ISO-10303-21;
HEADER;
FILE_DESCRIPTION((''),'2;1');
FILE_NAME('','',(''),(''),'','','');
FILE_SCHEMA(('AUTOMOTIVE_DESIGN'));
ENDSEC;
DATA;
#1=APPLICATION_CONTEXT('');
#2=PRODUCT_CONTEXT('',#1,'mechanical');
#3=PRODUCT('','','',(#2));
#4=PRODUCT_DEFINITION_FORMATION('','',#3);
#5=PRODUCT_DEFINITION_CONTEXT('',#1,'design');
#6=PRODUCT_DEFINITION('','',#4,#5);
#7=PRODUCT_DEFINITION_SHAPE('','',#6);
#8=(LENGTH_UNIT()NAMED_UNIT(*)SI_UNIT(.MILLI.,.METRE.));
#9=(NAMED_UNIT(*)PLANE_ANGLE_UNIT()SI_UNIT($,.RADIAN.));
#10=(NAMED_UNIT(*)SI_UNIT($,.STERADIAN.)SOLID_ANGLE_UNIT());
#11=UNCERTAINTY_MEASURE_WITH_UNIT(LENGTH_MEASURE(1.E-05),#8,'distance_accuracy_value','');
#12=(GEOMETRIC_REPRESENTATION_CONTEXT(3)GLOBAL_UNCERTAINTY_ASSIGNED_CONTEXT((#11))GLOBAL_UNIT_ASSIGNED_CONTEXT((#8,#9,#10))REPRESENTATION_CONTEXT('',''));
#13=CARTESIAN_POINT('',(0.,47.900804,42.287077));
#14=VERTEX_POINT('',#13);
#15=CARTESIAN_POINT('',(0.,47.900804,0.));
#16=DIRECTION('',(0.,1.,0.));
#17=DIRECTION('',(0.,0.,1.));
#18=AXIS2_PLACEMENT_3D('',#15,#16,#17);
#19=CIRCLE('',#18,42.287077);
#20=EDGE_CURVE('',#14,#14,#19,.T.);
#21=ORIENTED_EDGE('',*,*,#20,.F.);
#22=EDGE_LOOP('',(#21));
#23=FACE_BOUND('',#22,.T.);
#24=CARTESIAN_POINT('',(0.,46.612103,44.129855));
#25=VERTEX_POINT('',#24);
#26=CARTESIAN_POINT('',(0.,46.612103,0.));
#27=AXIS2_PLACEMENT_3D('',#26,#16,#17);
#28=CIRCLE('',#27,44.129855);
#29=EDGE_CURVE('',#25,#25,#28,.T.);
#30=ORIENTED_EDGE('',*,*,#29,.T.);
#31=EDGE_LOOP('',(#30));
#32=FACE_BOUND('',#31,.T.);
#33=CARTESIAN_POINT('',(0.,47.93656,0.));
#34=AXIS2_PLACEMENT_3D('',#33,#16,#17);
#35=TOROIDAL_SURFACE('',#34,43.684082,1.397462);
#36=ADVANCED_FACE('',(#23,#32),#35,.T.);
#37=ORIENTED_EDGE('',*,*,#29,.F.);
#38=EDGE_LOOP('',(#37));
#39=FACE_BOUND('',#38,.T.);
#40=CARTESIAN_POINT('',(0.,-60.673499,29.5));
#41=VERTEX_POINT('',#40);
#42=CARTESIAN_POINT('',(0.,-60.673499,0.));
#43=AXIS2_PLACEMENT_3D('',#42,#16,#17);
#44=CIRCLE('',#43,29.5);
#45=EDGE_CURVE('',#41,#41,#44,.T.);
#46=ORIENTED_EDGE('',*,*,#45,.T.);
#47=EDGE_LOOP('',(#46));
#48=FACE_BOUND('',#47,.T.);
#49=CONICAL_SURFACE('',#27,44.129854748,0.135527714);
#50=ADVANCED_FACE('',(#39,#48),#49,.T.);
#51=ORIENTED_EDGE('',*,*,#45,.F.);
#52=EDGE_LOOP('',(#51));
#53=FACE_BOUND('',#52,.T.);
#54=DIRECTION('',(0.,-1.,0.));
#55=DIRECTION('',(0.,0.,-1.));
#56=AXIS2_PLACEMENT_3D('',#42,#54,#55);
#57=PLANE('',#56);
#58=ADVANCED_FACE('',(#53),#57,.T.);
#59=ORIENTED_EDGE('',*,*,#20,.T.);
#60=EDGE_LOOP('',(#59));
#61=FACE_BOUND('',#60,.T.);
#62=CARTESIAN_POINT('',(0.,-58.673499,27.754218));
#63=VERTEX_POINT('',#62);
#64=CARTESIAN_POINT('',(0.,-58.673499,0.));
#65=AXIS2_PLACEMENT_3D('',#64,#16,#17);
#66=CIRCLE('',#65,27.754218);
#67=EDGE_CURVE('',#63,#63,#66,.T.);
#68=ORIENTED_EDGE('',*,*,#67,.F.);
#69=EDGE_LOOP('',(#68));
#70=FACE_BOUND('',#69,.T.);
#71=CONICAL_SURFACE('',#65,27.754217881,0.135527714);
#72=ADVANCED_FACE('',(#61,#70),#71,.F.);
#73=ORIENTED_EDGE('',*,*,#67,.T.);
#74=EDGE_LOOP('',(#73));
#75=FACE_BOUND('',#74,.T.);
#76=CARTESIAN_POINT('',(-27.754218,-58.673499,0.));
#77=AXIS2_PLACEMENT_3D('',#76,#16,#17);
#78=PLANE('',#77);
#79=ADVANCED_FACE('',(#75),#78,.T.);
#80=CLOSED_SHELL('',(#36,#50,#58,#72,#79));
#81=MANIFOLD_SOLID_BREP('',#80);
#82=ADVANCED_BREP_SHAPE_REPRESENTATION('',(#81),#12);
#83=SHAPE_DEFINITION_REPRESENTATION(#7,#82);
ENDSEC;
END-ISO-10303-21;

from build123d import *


with BuildPart() as part:
    # Sketch2 → Revolve1 (revolve)
    with BuildSketch(Plane.XY):
        with BuildLine():
            Line((0, -60.673498533), (-29.5, -60.673498533))
            Line((-29.5, -60.673498533), (-44.129854748, 46.612102954))
            ThreePointArc((-44.129854748, 46.612102954), (-44.484955407, 49.081768332), (-42.287077377, 47.900804437))
            Line((-42.287077377, 47.900804437), (-27.754217881, -58.673498533))
            Line((-27.754217881, -58.673498533), (0, -58.673498533))
            Line((0, -58.673498533), (0, -60.673498533))
        make_face()
    revolve(axis=Axis((0, 29.188203924, 0), (0, -1, 0)))


solid = part.part
